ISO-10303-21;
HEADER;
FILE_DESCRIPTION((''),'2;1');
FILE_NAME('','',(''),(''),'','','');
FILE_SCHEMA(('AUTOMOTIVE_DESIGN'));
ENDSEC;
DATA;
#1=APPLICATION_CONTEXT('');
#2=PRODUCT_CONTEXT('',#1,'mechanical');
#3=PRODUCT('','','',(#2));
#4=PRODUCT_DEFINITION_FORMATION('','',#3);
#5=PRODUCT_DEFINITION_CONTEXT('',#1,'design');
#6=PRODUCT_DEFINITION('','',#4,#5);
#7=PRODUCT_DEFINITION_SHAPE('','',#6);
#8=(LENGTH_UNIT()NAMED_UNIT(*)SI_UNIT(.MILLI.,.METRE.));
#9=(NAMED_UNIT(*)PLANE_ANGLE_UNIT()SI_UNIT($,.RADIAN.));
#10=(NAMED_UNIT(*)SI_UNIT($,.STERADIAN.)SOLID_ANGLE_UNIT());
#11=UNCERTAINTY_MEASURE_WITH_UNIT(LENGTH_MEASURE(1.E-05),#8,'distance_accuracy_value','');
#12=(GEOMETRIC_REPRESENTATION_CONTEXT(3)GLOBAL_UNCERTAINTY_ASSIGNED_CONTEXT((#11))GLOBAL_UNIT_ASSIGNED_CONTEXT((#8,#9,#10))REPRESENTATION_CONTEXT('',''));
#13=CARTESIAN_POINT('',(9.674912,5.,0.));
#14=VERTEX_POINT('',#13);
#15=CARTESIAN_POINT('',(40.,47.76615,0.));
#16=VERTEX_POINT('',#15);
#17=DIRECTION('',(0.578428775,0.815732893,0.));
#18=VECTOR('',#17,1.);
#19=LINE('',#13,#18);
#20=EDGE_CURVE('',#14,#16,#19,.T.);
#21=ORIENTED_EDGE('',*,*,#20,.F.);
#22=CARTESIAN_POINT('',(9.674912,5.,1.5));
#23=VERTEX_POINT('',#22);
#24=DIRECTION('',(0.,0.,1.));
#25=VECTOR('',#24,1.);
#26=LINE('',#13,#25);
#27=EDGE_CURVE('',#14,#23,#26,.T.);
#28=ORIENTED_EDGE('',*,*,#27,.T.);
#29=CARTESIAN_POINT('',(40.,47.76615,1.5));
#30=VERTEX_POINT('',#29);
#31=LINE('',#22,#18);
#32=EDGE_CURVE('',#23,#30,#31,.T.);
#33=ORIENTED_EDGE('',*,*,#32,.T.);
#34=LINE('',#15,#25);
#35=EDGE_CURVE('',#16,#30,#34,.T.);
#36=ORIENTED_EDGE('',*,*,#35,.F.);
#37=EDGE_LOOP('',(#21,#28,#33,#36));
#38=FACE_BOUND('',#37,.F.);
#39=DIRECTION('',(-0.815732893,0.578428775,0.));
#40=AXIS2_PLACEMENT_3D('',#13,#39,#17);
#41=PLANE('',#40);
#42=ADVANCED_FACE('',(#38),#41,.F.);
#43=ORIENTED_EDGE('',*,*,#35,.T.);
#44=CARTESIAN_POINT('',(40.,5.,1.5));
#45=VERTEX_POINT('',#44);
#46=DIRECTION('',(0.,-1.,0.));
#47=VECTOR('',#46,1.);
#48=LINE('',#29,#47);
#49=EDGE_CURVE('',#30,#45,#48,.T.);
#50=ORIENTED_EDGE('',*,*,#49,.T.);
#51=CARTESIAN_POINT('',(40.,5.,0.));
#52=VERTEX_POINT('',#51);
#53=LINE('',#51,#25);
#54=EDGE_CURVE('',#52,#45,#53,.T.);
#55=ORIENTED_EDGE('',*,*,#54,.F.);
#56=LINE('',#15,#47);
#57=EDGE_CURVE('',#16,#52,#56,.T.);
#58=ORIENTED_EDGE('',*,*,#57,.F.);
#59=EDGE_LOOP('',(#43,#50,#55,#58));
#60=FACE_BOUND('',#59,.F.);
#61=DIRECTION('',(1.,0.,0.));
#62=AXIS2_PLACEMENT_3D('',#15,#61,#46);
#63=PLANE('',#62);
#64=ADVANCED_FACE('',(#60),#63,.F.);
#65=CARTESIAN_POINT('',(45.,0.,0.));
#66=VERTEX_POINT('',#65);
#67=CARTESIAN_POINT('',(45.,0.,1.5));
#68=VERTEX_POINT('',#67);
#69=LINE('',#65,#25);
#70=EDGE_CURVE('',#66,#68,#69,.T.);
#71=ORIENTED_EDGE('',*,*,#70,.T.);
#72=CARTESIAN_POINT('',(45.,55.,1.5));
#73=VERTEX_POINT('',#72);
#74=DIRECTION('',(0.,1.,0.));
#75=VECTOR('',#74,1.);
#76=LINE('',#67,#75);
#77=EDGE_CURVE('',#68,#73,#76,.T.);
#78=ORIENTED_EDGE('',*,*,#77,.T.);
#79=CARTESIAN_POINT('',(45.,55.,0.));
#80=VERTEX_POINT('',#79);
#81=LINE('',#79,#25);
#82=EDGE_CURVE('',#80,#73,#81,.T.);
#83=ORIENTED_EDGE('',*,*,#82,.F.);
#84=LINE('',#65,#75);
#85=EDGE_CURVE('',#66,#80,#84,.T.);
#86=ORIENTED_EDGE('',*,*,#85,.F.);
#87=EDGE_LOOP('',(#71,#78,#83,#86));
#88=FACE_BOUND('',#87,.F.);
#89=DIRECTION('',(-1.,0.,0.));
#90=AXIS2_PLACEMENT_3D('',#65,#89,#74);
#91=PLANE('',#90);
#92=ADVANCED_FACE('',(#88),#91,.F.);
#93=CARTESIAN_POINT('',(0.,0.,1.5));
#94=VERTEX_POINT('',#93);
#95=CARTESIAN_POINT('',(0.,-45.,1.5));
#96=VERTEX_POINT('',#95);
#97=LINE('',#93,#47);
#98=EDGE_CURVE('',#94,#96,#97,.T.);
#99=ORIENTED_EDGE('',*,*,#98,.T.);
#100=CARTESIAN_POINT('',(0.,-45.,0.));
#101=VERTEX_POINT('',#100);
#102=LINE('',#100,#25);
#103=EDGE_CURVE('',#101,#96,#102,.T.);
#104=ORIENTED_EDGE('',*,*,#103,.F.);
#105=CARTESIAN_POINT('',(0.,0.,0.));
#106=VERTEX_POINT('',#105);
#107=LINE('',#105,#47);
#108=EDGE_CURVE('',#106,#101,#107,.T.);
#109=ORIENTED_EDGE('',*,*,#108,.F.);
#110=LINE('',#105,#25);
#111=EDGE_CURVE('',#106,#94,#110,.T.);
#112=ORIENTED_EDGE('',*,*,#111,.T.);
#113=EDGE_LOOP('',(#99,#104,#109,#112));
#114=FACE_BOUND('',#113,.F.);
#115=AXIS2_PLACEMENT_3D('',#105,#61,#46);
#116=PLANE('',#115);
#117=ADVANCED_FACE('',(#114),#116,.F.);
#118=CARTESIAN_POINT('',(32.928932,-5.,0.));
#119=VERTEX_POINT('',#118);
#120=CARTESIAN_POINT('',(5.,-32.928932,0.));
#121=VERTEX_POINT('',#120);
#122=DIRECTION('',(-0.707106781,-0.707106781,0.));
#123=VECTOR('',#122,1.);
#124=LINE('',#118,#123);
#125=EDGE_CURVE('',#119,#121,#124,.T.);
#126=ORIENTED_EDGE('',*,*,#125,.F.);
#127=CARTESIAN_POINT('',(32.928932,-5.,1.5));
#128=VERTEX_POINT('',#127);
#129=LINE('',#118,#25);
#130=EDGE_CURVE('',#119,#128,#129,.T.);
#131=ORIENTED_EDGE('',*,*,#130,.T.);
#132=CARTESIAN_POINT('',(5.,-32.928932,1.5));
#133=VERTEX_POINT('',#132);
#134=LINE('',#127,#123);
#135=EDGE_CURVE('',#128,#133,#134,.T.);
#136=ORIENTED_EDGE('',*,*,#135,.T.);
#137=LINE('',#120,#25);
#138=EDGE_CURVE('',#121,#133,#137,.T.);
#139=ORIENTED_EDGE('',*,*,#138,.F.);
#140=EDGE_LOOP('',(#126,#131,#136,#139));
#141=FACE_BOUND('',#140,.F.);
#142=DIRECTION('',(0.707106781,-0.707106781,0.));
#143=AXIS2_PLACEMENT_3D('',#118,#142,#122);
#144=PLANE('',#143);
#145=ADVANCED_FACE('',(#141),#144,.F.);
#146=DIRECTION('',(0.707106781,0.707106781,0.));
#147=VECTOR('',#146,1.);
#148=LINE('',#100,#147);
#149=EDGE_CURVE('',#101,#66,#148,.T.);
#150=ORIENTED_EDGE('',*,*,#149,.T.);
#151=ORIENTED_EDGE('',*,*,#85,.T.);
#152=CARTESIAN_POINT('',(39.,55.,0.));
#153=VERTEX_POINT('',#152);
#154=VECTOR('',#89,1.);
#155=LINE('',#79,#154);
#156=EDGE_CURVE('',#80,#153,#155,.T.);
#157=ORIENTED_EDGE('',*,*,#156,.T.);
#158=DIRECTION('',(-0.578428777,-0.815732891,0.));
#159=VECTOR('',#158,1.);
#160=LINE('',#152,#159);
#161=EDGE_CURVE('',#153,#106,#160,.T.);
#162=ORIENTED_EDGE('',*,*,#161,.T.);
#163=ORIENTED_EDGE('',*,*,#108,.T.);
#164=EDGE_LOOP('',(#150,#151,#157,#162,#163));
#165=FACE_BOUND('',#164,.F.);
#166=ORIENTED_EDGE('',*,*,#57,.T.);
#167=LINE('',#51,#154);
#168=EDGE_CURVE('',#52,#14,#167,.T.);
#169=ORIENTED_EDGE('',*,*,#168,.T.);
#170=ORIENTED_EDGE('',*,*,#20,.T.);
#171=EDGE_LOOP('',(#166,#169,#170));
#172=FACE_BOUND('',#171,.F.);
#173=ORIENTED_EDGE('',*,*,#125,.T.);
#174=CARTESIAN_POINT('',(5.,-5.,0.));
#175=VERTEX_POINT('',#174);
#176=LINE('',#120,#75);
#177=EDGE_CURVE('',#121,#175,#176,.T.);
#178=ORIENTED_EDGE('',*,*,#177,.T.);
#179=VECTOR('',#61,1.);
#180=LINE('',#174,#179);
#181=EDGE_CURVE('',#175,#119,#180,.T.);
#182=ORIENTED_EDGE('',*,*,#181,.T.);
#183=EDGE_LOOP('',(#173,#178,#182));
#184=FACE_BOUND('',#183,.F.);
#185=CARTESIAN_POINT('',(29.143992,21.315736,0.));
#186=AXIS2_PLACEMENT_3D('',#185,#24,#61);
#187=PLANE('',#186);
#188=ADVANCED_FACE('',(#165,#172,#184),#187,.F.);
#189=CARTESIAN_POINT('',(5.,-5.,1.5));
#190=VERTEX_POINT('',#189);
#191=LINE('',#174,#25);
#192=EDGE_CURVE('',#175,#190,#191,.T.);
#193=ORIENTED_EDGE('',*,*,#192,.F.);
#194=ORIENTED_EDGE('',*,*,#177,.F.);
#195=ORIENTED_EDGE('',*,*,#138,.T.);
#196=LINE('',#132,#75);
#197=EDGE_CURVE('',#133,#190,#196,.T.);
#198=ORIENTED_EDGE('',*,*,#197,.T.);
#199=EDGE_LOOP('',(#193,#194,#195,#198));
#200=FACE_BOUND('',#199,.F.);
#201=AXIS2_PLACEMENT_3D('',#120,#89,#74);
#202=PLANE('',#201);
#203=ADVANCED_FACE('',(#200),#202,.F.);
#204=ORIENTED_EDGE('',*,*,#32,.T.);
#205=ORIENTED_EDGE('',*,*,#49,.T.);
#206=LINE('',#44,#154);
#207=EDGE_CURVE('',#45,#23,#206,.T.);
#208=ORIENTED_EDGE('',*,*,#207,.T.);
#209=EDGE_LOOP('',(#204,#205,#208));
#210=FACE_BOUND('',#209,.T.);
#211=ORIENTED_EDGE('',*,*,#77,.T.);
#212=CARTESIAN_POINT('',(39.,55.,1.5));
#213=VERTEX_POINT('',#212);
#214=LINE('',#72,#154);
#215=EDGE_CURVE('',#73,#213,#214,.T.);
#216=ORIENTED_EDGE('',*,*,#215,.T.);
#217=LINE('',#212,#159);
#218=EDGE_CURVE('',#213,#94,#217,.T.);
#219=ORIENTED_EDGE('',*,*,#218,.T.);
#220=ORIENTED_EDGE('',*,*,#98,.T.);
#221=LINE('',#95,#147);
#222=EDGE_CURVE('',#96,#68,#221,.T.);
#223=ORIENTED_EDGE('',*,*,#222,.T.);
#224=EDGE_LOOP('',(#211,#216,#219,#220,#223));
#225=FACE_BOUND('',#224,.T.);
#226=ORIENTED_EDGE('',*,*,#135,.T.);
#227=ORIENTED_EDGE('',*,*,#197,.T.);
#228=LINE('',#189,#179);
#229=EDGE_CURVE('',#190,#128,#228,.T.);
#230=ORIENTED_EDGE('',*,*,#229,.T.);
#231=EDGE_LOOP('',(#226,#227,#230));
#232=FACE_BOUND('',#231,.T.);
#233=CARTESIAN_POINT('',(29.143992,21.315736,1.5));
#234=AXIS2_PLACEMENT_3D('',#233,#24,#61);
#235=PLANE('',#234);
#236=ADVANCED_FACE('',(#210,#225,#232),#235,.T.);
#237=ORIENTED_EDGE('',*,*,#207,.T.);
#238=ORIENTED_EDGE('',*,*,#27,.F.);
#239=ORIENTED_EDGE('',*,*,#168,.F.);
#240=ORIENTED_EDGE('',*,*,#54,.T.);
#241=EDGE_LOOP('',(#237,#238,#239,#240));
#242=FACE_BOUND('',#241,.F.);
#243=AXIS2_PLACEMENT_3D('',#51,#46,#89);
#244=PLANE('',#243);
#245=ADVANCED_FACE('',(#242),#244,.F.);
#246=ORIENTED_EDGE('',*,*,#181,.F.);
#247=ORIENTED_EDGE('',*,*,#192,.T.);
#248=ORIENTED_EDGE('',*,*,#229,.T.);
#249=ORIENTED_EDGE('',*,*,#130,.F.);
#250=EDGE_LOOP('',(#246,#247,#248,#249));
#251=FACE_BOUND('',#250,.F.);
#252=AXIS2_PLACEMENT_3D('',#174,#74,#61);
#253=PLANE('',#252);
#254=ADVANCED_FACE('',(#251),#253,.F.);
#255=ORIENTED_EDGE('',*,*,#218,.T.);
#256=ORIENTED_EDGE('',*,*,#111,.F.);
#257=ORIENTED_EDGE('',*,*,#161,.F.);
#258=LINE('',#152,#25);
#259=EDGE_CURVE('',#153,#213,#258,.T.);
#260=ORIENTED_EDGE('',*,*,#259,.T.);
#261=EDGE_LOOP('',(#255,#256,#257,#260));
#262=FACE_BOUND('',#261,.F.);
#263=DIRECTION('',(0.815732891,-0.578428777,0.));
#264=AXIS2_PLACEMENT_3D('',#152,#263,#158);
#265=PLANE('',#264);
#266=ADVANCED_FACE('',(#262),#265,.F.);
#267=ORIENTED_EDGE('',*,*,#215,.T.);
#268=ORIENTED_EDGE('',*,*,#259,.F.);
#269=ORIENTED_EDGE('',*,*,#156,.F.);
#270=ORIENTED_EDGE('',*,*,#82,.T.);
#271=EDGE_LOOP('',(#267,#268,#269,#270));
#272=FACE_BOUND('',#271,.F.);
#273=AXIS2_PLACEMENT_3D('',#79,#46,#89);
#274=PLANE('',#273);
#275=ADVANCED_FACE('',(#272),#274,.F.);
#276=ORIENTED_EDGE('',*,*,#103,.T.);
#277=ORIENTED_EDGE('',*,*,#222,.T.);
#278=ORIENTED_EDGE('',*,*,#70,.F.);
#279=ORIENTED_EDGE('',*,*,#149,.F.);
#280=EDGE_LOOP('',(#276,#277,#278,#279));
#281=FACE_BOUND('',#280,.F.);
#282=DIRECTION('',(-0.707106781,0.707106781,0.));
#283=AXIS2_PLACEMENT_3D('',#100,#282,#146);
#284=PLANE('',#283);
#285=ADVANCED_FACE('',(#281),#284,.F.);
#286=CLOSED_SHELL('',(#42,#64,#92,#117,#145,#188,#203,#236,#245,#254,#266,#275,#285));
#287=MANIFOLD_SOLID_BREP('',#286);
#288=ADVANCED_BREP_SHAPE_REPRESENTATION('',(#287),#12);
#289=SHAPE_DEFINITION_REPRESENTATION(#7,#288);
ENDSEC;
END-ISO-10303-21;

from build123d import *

# Parameters (mm, degrees)
F1_DEPTH = 1.5


with BuildPart() as f1:
    # F0 (on Top) → F1 (new body)
    with BuildSketch(Plane.XY):
        Polygon((39, 55), (0, 0), (45, 0), (45, 55), align=None)
        Polygon((9.674912, 5), (40, 47.76615), (40, 5), align=None, mode=Mode.SUBTRACT)
        Polygon((45, 0), (0, 0), (0, -45), align=None)
        Polygon((5, -32.928932), (5, -5), (32.928932, -5), align=None, mode=Mode.SUBTRACT)
    extrude(amount=F1_DEPTH)


solid = f1.part
